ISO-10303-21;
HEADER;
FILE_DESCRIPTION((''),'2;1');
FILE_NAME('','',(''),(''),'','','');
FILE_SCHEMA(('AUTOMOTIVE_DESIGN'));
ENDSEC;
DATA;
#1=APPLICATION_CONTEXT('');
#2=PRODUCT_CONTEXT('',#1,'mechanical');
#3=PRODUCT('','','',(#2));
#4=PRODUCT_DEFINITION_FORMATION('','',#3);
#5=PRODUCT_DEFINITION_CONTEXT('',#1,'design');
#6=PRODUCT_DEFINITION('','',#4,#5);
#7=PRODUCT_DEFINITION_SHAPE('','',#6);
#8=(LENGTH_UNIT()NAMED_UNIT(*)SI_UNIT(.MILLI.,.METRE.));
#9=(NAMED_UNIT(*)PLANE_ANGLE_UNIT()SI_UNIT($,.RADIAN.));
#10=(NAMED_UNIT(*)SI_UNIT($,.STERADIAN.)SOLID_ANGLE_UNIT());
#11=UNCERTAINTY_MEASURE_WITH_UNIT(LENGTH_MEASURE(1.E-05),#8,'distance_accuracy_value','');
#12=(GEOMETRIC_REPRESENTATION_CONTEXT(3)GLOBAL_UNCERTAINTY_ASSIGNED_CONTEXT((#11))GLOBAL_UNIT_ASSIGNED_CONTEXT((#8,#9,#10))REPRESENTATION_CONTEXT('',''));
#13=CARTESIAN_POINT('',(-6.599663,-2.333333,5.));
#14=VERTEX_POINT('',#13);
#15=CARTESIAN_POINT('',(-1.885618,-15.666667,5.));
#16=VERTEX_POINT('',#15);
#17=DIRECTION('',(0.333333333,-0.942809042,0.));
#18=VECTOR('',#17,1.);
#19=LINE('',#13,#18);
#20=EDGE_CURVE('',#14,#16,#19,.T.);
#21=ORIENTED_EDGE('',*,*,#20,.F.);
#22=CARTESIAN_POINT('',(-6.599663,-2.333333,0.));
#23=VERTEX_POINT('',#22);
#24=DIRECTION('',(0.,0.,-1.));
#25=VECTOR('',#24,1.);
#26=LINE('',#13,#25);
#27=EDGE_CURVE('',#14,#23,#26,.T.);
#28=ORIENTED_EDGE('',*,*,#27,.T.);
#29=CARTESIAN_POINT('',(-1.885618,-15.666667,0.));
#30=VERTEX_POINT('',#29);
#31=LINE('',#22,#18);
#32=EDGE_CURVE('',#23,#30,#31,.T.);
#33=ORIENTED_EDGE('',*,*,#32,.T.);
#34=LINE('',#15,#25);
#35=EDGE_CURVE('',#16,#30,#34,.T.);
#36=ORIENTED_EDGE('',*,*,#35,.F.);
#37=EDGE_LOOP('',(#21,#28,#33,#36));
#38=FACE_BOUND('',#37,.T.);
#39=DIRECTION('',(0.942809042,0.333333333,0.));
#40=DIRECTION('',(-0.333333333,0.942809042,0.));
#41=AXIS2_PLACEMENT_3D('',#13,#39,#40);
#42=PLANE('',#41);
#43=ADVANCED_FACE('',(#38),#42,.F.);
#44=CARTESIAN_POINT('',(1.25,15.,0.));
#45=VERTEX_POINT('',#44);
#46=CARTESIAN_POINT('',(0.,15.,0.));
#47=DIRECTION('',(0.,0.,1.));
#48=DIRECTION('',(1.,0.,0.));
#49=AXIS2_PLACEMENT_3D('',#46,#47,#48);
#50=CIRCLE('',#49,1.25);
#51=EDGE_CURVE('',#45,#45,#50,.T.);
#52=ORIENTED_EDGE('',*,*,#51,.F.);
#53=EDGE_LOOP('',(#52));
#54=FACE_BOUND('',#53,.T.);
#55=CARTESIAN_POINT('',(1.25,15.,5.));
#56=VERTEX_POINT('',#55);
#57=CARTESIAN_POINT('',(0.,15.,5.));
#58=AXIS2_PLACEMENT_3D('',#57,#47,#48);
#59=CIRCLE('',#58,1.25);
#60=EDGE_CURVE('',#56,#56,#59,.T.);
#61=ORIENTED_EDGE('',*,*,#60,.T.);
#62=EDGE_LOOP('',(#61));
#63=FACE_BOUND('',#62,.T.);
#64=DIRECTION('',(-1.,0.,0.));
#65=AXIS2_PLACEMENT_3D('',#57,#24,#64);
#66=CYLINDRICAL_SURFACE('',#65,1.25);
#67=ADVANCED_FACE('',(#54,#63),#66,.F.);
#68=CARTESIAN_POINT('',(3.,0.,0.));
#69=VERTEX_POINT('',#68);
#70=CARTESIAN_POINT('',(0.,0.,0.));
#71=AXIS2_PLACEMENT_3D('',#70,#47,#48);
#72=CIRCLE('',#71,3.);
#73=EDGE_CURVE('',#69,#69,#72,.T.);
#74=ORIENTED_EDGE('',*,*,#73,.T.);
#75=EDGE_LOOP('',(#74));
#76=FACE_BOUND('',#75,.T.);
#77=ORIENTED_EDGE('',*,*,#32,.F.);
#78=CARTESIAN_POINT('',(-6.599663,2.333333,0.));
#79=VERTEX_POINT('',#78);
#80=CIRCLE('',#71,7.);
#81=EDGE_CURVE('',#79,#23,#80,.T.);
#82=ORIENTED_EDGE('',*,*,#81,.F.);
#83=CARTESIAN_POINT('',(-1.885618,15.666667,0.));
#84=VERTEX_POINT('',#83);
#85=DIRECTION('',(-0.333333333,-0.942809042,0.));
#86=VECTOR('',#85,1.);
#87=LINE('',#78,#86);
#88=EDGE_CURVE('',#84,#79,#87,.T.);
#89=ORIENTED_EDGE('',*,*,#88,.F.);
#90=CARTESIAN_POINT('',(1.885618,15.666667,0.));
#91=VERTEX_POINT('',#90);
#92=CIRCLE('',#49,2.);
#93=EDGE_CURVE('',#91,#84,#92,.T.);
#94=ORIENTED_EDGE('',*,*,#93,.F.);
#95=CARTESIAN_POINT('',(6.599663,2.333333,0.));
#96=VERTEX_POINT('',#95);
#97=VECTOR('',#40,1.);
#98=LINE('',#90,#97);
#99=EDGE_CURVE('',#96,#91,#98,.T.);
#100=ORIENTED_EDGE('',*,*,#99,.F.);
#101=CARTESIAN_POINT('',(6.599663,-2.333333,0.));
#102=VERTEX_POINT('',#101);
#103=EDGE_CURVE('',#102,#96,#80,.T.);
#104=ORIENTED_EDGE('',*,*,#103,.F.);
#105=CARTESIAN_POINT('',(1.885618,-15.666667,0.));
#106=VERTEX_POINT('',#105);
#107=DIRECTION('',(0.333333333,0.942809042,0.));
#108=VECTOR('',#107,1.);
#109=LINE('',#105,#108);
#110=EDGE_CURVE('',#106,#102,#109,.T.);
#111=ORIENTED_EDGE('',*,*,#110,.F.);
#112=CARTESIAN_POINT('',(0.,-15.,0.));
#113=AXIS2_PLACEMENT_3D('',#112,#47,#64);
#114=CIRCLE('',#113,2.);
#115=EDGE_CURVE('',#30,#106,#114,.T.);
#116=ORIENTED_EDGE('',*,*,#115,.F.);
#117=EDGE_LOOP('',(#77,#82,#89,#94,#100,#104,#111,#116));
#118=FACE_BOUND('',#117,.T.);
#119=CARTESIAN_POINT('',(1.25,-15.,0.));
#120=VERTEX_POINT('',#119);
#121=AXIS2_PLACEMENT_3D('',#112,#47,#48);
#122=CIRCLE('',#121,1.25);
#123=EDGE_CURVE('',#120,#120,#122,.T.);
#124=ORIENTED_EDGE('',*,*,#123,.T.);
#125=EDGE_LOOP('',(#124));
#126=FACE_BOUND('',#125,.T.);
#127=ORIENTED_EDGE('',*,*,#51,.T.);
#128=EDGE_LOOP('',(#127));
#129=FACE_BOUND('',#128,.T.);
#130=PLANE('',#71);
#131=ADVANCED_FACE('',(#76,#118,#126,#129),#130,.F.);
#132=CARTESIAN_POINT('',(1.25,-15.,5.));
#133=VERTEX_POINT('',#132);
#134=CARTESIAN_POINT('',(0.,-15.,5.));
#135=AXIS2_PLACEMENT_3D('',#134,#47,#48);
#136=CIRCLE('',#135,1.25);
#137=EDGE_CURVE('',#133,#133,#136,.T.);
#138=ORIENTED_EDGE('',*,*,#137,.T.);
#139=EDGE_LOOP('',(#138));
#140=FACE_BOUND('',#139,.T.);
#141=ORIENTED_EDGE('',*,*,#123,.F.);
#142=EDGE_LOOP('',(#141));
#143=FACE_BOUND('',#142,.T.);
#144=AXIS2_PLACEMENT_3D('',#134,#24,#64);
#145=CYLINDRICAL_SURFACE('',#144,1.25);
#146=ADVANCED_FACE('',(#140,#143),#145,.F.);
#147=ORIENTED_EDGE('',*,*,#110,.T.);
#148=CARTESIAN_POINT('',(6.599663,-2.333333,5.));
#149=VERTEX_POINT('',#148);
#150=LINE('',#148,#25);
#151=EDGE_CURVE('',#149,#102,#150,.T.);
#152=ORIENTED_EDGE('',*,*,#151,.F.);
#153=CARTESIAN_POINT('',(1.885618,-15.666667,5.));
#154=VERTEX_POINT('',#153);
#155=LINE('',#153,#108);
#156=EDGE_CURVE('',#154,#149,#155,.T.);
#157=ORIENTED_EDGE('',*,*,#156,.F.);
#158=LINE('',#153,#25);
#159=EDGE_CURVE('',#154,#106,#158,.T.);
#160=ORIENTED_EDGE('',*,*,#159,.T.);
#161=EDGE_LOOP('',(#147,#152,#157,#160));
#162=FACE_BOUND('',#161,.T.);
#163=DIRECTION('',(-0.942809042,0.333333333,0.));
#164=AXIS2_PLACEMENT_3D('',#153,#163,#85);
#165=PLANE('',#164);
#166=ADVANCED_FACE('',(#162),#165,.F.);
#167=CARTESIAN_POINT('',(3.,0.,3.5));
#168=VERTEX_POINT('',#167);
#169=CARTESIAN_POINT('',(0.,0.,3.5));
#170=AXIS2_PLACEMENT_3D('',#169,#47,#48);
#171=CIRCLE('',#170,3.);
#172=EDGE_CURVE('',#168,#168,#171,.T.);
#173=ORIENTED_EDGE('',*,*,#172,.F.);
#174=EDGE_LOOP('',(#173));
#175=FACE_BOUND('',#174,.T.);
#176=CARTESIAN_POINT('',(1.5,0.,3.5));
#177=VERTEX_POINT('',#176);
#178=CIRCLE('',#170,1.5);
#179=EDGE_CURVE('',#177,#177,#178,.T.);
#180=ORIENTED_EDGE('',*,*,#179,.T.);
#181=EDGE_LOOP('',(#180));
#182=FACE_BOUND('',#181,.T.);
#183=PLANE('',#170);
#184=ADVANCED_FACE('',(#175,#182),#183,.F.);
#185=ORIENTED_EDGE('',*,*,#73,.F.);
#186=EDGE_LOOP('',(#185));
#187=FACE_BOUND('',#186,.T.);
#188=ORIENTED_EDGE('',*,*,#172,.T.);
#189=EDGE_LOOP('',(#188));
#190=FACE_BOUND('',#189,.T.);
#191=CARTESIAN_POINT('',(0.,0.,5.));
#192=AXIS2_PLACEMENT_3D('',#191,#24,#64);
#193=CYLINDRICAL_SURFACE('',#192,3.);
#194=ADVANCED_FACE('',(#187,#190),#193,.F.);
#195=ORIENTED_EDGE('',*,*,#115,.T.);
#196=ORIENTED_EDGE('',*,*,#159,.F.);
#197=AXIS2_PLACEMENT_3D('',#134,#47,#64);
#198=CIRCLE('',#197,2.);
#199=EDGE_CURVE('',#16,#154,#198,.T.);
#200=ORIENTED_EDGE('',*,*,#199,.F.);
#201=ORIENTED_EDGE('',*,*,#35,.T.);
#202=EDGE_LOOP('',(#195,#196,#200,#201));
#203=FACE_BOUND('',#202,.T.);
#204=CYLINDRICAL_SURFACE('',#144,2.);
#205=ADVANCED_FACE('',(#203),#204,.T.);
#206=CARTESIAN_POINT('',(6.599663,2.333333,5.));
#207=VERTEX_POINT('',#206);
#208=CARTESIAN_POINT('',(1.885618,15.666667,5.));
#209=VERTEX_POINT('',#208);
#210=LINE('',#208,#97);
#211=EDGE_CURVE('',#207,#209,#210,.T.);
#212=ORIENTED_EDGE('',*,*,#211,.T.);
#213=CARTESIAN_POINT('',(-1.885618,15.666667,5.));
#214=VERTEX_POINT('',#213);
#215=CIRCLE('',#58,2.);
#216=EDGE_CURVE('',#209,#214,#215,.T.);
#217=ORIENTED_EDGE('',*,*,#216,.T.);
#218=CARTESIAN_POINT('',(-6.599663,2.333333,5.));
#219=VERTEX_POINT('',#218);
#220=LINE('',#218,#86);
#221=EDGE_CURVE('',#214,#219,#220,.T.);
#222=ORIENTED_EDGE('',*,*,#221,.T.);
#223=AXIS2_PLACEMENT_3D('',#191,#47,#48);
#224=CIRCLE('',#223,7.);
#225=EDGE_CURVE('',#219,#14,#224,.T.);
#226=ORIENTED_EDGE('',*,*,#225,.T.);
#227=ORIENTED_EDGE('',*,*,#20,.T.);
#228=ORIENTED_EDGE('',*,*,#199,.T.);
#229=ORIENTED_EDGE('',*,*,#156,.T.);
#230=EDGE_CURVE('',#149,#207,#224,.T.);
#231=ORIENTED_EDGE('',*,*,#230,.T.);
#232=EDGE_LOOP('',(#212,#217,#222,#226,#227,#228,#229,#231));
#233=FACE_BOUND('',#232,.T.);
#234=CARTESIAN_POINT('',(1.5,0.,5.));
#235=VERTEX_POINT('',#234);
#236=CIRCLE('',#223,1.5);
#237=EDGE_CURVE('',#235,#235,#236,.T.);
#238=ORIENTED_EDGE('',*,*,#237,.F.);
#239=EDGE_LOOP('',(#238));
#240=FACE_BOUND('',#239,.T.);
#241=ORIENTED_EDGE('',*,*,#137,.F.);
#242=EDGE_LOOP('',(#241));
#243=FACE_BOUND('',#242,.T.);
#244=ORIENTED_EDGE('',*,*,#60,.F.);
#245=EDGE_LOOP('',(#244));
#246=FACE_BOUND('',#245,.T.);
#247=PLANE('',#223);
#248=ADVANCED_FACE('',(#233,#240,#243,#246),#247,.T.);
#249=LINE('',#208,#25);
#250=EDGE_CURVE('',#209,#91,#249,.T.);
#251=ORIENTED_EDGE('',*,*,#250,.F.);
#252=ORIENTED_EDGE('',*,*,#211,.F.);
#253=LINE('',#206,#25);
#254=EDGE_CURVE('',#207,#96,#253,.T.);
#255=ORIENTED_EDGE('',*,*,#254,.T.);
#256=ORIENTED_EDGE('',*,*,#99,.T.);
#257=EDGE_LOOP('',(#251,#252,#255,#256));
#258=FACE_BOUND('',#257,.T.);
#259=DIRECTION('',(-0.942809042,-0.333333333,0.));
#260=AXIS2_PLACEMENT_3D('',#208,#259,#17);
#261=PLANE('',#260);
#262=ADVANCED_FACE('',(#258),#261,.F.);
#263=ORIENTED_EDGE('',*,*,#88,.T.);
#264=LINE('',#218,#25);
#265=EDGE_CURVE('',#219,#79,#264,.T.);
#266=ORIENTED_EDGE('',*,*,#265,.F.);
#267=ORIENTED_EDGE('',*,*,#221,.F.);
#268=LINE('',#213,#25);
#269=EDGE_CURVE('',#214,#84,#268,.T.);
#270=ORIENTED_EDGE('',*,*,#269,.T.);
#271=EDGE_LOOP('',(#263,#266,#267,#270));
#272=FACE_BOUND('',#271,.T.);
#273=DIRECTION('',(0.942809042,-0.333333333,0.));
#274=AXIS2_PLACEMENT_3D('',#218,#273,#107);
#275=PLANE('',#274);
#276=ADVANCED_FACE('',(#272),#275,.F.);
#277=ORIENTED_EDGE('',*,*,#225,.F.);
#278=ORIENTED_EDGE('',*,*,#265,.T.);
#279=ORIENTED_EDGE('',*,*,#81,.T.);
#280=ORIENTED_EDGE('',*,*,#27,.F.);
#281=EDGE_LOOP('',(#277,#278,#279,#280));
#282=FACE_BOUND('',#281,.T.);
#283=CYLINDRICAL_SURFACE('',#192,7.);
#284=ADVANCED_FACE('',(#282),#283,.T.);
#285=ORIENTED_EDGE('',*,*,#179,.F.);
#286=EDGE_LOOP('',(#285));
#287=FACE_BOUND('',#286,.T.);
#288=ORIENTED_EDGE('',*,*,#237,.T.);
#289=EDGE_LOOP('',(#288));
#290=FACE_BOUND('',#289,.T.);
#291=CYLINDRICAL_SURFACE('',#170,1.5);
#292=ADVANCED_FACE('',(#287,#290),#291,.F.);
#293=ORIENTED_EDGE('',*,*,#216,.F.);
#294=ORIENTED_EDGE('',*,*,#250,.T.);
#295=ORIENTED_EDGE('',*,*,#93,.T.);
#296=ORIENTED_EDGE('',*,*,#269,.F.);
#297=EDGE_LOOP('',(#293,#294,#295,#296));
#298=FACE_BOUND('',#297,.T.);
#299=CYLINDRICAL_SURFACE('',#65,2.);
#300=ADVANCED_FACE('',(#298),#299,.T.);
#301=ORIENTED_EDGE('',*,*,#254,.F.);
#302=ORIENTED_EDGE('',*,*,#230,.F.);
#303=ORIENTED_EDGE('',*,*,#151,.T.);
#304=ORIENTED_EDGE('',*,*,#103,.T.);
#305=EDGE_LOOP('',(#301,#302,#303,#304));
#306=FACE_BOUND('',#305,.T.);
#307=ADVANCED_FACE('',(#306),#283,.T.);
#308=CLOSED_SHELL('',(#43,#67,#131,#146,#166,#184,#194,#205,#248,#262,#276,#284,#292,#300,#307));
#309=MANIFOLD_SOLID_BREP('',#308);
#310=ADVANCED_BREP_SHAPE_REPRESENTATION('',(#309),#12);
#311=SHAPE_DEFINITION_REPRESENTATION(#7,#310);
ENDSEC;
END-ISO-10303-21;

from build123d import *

# Parameters (mm, degrees)
SKETCH1_R           = 3
SKETCH1_R_2         = 1.25
BOSS_EXTRUDE1_DEPTH = 5
BOSS_EXTRUDE2_START = -1.5
SKETCH2_R           = 3
SKETCH2_R_2         = 1.5
BOSS_EXTRUDE2_DEPTH = 1.5


with BuildPart() as part:
    # Sketch1 → Boss-Extrude1 (new body)
    with BuildSketch(Plane.XY):
        with BuildLine():
            Line((-6.599663291, -2.333333333), (-1.885618083, -15.666666667))
            ThreePointArc((-1.885618083, -15.666666667), (0, -17), (1.885618083, -15.666666667))
            Line((1.885618083, -15.666666667), (6.599663291, -2.333333333))
            ThreePointArc((6.599663291, -2.333333333), (7, 0), (6.599663291, 2.333333333))
            Line((6.599663291, 2.333333333), (1.885618083, 15.666666667))
            ThreePointArc((1.885618083, 15.666666667), (0, 17), (-1.885618083, 15.666666667))
            Line((-1.885618083, 15.666666667), (-6.599663291, 2.333333333))
            ThreePointArc((-6.599663291, 2.333333333), (-7, 0), (-6.599663291, -2.333333333))
        make_face()
        Circle(SKETCH1_R, mode=Mode.SUBTRACT)
        with Locations((0, 15)):
            Circle(SKETCH1_R_2, mode=Mode.SUBTRACT)
        with Locations((0, -15)):
            Circle(SKETCH1_R_2, mode=Mode.SUBTRACT)
    extrude(amount=BOSS_EXTRUDE1_DEPTH)

    # Sketch2 → Boss-Extrude2 (add)
    with BuildSketch(Plane.XY.offset(5).offset(BOSS_EXTRUDE2_START)):
        Circle(SKETCH2_R)
        Circle(SKETCH2_R_2, mode=Mode.SUBTRACT)
    extrude(amount=BOSS_EXTRUDE2_DEPTH)


solid = part.part
